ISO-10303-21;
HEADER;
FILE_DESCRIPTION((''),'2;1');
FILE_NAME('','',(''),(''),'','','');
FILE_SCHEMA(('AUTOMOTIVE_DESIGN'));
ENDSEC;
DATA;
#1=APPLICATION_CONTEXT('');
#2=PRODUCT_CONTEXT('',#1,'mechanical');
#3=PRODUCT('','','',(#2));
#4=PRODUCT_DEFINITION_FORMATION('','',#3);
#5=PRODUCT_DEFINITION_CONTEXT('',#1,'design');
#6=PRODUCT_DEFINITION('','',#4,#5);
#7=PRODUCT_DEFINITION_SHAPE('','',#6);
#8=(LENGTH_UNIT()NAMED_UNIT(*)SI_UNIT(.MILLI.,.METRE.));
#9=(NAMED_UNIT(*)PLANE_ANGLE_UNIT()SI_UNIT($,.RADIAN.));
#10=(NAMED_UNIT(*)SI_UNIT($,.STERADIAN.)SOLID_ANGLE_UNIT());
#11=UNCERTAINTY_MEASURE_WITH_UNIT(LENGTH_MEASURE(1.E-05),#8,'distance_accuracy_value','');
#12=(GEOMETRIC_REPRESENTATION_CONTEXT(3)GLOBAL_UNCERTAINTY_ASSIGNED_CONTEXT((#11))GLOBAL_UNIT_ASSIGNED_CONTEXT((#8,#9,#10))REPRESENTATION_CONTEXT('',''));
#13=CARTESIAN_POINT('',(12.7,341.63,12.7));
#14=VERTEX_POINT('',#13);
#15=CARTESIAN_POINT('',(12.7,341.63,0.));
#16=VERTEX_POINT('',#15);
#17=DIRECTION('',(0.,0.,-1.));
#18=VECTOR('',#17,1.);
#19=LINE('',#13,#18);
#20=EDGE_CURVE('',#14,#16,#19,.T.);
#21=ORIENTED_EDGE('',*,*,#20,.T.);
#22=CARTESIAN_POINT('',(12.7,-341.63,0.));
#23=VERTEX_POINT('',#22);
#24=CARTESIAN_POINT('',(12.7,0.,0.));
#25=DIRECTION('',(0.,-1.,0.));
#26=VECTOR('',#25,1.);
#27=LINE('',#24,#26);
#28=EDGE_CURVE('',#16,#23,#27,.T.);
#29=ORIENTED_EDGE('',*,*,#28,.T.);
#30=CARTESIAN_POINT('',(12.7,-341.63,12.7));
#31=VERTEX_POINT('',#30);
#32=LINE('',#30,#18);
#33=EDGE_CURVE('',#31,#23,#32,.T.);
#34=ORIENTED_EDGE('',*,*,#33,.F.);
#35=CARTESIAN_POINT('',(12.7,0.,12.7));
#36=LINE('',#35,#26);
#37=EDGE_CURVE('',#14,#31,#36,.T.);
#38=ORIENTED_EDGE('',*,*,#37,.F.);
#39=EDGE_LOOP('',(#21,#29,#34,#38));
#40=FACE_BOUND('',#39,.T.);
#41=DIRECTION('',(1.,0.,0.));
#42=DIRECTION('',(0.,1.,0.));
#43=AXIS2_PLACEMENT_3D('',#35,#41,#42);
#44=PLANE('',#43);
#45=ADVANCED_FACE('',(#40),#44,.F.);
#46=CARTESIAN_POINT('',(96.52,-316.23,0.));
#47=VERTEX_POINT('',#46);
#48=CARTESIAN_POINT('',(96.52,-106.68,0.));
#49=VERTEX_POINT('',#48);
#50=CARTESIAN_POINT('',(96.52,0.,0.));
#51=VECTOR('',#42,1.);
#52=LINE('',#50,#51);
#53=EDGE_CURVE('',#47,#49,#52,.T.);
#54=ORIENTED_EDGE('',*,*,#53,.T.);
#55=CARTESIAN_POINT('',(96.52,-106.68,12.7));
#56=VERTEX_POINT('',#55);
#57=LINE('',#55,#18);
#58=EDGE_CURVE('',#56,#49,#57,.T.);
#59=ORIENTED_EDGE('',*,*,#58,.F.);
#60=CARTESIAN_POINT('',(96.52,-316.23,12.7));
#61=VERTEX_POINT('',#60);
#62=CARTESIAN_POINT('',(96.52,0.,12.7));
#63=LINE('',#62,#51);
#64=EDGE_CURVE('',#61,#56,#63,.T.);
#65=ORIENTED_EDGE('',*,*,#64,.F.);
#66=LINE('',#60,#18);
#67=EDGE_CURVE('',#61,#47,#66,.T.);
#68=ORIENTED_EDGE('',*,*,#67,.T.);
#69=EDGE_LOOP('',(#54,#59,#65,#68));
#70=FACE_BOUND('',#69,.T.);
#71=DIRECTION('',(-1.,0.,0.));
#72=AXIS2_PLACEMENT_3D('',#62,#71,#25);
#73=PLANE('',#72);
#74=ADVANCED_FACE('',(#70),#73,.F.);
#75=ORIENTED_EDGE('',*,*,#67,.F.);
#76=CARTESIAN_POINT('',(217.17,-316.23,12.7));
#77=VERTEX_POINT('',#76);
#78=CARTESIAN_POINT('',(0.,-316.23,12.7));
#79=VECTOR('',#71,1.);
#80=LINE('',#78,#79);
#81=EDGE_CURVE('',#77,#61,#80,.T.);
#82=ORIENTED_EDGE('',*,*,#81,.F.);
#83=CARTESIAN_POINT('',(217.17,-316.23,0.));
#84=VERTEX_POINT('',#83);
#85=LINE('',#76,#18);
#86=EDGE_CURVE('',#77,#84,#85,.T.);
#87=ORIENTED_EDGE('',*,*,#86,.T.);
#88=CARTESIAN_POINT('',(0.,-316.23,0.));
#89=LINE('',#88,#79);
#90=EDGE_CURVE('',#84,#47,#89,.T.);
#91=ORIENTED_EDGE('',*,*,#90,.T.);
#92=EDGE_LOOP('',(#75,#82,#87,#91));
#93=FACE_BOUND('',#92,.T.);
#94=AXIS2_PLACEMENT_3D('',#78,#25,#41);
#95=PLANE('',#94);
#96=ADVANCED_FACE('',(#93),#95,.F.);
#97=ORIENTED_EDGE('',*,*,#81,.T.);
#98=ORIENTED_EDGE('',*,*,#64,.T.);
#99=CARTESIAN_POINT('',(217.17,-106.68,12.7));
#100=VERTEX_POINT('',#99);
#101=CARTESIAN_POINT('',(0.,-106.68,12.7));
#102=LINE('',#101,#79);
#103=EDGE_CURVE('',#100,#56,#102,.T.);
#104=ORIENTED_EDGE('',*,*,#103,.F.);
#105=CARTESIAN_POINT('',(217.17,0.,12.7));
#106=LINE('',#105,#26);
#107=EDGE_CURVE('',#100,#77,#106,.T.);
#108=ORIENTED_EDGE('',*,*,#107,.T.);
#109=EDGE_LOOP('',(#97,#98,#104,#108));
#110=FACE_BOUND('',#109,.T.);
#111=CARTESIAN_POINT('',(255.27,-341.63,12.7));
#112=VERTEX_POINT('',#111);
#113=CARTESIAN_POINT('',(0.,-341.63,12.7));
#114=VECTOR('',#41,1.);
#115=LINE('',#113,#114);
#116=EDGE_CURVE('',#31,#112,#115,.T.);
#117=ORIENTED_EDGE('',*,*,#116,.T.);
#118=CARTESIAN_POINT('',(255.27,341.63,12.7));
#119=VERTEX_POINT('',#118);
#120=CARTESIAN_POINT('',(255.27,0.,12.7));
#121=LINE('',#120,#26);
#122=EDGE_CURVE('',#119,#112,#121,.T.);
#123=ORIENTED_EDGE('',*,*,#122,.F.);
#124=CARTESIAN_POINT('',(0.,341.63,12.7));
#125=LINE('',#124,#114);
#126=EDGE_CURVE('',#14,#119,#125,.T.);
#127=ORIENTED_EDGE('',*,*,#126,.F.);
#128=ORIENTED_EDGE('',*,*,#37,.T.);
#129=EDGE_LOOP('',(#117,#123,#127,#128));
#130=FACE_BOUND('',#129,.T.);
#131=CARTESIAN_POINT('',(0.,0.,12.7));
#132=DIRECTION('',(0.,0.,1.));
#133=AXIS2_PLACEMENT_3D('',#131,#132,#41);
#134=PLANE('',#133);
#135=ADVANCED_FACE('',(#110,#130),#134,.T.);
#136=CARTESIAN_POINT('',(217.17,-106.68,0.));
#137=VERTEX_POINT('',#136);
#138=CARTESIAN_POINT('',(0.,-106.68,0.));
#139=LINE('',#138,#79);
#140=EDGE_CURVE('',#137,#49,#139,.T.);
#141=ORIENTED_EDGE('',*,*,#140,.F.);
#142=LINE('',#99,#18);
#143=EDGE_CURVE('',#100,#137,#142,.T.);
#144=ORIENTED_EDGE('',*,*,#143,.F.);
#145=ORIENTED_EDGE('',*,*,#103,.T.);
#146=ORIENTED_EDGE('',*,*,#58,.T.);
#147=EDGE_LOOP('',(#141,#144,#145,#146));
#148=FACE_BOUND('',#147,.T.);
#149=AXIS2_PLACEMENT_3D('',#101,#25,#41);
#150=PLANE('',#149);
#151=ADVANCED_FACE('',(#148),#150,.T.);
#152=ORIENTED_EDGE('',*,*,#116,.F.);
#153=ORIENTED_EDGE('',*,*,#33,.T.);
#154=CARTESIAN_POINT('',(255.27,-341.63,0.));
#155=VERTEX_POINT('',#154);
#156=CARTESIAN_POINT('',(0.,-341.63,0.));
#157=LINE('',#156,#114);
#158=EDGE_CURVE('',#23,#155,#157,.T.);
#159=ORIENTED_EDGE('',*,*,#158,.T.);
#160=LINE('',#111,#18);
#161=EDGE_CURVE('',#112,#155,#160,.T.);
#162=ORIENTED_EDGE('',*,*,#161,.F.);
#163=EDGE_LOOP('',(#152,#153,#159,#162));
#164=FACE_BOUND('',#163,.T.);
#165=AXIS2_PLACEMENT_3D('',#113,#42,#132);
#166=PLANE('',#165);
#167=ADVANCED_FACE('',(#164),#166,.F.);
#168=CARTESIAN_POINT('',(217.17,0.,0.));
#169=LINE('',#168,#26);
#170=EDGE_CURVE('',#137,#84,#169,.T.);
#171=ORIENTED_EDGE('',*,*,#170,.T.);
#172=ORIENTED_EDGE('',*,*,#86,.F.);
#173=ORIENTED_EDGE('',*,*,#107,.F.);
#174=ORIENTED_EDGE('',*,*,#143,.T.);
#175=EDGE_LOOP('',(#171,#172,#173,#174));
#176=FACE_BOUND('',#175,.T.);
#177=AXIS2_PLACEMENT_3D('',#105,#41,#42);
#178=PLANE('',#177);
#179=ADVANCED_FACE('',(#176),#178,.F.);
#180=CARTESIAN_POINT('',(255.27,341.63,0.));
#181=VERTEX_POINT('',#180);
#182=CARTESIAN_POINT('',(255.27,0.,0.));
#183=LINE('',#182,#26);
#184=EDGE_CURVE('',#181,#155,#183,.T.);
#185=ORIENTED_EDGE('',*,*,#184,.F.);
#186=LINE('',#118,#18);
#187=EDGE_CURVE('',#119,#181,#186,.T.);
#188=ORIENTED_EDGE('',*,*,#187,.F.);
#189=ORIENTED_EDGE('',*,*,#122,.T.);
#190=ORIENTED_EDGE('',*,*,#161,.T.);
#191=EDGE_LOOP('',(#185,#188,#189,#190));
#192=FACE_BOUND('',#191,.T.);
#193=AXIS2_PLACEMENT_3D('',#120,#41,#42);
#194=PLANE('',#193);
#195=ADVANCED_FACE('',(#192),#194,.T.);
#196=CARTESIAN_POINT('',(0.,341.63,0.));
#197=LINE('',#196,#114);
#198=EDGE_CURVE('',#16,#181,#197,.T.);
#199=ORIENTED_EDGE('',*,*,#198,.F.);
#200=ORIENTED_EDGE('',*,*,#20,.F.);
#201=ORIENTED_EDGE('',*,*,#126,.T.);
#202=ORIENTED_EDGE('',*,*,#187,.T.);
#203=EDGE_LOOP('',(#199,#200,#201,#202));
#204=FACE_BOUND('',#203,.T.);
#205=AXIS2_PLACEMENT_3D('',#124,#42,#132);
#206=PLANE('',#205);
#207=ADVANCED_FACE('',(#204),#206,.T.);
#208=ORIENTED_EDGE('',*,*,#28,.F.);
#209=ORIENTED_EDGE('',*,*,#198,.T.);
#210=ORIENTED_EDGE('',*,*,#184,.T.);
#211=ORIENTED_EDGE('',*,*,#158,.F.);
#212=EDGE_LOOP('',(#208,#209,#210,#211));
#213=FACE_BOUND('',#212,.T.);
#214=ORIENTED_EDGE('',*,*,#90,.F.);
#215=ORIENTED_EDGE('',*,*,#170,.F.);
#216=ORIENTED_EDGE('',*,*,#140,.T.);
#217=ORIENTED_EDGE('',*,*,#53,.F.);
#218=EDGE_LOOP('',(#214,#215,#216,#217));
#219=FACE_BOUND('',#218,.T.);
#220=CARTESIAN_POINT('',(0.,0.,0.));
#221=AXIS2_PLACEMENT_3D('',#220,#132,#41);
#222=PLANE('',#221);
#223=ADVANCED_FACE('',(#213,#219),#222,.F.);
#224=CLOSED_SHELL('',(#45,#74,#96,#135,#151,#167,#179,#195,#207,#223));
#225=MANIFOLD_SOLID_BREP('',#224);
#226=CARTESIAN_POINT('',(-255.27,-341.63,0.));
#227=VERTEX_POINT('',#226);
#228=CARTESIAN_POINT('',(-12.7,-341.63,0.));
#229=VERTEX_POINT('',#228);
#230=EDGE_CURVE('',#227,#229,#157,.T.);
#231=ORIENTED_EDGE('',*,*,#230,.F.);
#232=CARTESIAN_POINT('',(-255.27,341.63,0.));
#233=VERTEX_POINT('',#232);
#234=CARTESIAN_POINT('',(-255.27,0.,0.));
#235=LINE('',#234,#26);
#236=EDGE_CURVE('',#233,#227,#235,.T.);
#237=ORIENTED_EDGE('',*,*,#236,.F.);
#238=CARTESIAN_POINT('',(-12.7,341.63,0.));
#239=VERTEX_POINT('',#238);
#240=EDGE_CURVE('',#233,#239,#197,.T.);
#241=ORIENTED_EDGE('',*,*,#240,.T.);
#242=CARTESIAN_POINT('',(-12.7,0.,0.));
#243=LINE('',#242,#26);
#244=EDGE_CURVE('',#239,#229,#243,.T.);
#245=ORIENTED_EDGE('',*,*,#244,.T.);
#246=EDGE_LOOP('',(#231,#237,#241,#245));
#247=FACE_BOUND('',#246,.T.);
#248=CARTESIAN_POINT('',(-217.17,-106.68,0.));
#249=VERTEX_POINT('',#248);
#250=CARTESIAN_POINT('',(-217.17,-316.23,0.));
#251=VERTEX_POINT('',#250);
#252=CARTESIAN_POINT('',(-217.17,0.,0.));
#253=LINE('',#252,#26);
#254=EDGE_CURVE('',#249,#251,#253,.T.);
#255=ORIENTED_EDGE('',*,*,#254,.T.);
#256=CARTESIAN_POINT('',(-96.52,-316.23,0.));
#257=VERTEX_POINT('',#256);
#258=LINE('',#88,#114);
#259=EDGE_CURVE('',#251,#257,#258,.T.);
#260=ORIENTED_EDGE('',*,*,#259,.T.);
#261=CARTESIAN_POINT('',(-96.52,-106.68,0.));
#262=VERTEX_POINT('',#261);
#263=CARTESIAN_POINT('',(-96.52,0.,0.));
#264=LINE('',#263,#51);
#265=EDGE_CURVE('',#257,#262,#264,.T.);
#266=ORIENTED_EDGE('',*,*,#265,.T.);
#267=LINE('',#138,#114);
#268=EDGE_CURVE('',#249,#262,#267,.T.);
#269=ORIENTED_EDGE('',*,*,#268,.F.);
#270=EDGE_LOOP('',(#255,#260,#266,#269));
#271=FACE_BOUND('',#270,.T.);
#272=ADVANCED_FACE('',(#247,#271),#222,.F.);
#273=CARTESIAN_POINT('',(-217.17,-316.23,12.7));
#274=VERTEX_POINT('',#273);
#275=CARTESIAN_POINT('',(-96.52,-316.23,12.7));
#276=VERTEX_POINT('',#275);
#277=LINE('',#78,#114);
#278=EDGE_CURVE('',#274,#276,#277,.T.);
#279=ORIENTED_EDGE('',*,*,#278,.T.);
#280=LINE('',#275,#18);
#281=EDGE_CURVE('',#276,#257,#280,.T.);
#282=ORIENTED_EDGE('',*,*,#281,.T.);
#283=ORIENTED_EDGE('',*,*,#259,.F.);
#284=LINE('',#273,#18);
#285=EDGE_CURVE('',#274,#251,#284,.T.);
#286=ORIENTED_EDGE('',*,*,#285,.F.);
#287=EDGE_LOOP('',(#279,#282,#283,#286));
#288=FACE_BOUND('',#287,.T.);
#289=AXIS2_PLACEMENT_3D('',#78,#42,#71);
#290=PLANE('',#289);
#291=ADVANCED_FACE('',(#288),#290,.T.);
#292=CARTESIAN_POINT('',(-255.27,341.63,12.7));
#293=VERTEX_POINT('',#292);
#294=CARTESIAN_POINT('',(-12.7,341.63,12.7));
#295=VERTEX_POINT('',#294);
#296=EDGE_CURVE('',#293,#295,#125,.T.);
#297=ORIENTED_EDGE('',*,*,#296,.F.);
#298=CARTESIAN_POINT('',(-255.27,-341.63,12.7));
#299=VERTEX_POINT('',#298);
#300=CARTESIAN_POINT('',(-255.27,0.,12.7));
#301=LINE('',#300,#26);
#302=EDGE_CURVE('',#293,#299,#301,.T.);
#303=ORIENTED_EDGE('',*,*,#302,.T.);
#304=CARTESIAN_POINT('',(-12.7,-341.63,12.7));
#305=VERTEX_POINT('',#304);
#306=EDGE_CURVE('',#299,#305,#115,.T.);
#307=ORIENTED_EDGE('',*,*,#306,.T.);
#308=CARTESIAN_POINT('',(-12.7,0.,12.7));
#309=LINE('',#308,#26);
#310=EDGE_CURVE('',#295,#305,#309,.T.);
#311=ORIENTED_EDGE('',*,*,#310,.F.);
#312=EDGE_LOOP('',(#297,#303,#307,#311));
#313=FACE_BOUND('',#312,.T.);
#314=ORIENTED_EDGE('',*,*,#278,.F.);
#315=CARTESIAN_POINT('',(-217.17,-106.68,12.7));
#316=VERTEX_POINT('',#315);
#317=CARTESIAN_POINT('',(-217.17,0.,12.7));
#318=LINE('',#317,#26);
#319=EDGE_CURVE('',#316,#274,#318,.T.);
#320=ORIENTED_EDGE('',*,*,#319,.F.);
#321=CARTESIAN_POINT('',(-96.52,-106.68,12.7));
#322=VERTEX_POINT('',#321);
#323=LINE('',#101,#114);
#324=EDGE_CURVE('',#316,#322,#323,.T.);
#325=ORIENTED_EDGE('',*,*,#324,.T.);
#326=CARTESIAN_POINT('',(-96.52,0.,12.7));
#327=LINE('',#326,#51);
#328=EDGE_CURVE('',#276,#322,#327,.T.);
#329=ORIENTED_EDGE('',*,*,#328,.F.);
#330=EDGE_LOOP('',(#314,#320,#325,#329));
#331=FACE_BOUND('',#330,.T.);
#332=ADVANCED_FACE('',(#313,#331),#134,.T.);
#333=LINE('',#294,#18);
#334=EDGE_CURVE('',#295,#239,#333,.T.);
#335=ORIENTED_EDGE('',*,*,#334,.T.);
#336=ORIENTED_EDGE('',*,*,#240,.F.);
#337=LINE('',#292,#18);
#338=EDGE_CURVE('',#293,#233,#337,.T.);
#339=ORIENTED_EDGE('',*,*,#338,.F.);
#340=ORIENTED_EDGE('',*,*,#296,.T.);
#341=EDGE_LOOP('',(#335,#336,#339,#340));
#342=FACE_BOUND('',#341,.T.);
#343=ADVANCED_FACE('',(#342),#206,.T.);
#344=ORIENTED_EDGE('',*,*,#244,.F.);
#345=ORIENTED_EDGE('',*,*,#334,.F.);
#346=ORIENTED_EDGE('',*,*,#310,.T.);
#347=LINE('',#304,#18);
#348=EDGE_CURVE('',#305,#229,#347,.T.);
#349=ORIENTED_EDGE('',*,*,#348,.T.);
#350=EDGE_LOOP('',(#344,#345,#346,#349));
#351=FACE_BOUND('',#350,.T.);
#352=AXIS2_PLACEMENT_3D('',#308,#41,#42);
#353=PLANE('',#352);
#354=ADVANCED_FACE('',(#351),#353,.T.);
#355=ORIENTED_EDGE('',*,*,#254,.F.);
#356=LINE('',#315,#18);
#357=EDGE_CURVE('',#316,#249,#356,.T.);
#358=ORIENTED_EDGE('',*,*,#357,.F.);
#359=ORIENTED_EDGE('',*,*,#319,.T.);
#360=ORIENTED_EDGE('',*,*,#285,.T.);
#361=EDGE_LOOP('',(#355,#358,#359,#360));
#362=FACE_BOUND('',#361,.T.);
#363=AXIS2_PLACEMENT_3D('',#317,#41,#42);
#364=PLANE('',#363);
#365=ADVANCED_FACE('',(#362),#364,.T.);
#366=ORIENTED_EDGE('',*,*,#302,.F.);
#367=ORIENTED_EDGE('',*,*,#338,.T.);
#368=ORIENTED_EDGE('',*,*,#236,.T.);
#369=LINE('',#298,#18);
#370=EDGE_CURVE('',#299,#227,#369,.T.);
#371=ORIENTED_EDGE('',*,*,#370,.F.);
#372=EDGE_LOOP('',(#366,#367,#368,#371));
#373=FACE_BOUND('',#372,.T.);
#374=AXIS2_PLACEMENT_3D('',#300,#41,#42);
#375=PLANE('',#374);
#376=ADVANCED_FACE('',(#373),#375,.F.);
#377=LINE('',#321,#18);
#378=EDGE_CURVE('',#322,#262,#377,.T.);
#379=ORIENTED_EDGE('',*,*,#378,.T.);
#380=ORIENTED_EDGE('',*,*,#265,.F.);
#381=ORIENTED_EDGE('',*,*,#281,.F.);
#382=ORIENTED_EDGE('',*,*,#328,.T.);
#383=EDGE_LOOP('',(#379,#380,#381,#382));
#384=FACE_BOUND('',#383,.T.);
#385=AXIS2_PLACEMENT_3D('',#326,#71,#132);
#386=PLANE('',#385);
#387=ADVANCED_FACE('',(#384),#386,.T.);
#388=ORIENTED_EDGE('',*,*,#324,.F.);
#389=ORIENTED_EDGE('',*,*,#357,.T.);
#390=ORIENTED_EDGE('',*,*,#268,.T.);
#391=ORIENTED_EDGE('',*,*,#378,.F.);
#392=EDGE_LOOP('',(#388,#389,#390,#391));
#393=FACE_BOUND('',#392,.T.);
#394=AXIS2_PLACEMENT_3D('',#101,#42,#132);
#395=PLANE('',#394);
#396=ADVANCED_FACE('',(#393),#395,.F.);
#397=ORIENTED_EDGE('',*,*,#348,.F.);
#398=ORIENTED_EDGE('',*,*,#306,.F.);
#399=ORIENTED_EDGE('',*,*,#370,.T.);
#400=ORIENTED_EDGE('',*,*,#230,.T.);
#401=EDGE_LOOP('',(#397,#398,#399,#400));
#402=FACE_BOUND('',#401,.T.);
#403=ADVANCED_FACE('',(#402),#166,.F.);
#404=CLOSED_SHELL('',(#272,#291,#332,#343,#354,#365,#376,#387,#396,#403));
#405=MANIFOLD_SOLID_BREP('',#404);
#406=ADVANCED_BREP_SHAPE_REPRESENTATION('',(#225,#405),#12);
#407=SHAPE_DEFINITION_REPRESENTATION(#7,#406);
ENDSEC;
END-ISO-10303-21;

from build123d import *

# Parameters (mm, degrees)
SKETCH1_W             = 242.57
SKETCH1_H             = 683.26
SKETCH1_W_2           = 120.65
SKETCH1_H_2           = 209.55
BOSS_EXTRUDE1_DEPTH   = 12.7
BOSS_EXTRUDE1_2_DEPTH = 12.7


with BuildPart() as part:
    # Sketch1 → Boss-Extrude1 (new body)
    with BuildSketch(Plane.XY):
        with Locations((-133.985, 0)):
            Rectangle(SKETCH1_W, SKETCH1_H)
        with Locations((-156.845, -211.455)):
            Rectangle(SKETCH1_W_2, SKETCH1_H_2, mode=Mode.SUBTRACT)
    extrude(amount=BOSS_EXTRUDE1_DEPTH)


with BuildPart() as body_2:
    # Sketch1 → Boss-Extrude1 2 (new body)
    with BuildSketch(Plane.XY):
        with Locations((133.985, 0)):
            Rectangle(SKETCH1_W, SKETCH1_H)
        with Locations((156.845, -211.455)):
            Rectangle(SKETCH1_W_2, SKETCH1_H_2, mode=Mode.SUBTRACT)
    extrude(amount=BOSS_EXTRUDE1_2_DEPTH)


solid = Compound([part.part, body_2.part])
